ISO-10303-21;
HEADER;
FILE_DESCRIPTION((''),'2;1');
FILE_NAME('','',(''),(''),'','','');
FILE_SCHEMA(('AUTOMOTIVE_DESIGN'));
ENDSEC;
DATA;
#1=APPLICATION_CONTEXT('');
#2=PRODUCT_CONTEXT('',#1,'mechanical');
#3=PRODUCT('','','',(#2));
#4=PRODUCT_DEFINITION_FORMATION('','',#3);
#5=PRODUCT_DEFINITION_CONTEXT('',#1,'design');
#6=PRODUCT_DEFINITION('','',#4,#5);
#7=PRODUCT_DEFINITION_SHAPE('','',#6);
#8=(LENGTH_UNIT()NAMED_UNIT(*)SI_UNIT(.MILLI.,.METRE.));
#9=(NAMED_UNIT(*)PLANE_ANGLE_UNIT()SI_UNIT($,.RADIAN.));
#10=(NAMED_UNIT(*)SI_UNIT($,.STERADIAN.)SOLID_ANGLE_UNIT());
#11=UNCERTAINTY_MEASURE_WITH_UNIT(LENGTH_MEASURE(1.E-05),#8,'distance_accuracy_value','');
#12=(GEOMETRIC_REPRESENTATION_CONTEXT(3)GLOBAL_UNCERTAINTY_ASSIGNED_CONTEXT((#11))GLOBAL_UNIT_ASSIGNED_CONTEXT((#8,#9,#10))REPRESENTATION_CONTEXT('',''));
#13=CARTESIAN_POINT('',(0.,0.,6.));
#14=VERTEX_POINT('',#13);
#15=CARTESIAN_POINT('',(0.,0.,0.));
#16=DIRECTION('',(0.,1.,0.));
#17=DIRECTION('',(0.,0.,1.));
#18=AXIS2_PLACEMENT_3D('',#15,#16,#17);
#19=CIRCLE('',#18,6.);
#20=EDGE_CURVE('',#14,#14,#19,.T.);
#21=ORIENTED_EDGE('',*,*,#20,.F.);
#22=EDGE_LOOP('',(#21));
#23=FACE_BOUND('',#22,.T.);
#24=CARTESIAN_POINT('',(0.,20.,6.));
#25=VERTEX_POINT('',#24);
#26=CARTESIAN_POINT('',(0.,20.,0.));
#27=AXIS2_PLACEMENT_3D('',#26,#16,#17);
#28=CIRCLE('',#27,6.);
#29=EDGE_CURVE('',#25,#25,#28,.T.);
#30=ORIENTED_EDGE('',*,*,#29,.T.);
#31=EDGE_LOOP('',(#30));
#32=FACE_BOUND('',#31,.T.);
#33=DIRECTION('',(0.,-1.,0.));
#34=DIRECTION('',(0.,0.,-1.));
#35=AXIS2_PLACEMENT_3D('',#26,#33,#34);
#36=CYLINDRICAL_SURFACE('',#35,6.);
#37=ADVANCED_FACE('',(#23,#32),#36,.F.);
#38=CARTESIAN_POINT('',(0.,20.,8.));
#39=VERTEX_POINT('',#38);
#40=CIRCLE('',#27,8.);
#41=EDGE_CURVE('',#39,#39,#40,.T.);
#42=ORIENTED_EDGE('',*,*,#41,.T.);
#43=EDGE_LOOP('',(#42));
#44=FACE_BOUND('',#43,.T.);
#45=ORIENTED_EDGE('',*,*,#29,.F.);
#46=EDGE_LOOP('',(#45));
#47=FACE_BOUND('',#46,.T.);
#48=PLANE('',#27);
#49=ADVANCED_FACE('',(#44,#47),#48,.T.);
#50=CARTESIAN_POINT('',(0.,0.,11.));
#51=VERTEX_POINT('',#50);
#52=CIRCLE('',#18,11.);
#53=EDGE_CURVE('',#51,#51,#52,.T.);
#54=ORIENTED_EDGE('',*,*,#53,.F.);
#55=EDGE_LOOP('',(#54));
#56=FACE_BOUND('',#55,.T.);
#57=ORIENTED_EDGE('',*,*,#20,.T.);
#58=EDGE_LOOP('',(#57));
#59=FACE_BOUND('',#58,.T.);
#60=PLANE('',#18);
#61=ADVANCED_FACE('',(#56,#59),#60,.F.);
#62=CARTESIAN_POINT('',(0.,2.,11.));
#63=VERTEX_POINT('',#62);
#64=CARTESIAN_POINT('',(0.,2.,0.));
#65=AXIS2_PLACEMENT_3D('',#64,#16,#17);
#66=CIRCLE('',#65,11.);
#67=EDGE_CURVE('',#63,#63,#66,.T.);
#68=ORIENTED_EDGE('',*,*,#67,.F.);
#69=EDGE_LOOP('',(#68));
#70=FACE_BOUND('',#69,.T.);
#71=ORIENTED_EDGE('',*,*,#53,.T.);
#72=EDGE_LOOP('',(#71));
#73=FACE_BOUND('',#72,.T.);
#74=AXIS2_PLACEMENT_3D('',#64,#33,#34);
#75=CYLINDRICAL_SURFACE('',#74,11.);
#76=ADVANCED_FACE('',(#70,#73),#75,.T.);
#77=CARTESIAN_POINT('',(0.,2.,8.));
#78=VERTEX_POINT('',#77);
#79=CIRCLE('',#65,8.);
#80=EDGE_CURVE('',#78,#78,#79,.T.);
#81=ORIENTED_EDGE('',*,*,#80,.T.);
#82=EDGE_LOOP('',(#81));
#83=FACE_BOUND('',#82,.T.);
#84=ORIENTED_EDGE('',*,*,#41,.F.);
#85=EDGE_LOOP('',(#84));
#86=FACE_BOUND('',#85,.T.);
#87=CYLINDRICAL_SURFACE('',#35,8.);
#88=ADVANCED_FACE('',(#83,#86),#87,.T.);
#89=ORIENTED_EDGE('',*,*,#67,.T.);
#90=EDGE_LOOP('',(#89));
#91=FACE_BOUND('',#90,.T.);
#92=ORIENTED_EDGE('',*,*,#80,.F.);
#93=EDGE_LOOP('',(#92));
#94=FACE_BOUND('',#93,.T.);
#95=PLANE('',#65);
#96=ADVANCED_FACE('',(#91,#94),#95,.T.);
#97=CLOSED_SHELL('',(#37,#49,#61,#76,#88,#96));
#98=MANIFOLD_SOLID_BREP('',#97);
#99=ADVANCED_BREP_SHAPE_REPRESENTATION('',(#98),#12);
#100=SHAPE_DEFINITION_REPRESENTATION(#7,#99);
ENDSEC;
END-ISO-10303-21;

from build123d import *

# Parameters (mm, degrees)
SKETCH2_R           = 8
SKETCH2_R_2         = 6
BOSS_EXTRUDE1_DEPTH = 20
SKETCH3_R           = 11
SKETCH3_R_2         = 8
BOSS_EXTRUDE2_DEPTH = 2


with BuildPart() as part:
    # Sketch2 → Boss-Extrude1 (new body)
    with BuildSketch(Plane(origin=(0, 0, 0), x_dir=(1, 0, 0), z_dir=(0, 1, 0))):
        Circle(SKETCH2_R)
        Circle(SKETCH2_R_2, mode=Mode.SUBTRACT)
    extrude(amount=BOSS_EXTRUDE1_DEPTH)

    # Sketch3 → Boss-Extrude2 (add)
    with BuildSketch(Plane(origin=(0, 0, 0), x_dir=(1, 0, 0), z_dir=(0, 1, 0))):
        Circle(SKETCH3_R)
        Circle(SKETCH3_R_2, mode=Mode.SUBTRACT)
    extrude(amount=BOSS_EXTRUDE2_DEPTH)


solid = part.part
